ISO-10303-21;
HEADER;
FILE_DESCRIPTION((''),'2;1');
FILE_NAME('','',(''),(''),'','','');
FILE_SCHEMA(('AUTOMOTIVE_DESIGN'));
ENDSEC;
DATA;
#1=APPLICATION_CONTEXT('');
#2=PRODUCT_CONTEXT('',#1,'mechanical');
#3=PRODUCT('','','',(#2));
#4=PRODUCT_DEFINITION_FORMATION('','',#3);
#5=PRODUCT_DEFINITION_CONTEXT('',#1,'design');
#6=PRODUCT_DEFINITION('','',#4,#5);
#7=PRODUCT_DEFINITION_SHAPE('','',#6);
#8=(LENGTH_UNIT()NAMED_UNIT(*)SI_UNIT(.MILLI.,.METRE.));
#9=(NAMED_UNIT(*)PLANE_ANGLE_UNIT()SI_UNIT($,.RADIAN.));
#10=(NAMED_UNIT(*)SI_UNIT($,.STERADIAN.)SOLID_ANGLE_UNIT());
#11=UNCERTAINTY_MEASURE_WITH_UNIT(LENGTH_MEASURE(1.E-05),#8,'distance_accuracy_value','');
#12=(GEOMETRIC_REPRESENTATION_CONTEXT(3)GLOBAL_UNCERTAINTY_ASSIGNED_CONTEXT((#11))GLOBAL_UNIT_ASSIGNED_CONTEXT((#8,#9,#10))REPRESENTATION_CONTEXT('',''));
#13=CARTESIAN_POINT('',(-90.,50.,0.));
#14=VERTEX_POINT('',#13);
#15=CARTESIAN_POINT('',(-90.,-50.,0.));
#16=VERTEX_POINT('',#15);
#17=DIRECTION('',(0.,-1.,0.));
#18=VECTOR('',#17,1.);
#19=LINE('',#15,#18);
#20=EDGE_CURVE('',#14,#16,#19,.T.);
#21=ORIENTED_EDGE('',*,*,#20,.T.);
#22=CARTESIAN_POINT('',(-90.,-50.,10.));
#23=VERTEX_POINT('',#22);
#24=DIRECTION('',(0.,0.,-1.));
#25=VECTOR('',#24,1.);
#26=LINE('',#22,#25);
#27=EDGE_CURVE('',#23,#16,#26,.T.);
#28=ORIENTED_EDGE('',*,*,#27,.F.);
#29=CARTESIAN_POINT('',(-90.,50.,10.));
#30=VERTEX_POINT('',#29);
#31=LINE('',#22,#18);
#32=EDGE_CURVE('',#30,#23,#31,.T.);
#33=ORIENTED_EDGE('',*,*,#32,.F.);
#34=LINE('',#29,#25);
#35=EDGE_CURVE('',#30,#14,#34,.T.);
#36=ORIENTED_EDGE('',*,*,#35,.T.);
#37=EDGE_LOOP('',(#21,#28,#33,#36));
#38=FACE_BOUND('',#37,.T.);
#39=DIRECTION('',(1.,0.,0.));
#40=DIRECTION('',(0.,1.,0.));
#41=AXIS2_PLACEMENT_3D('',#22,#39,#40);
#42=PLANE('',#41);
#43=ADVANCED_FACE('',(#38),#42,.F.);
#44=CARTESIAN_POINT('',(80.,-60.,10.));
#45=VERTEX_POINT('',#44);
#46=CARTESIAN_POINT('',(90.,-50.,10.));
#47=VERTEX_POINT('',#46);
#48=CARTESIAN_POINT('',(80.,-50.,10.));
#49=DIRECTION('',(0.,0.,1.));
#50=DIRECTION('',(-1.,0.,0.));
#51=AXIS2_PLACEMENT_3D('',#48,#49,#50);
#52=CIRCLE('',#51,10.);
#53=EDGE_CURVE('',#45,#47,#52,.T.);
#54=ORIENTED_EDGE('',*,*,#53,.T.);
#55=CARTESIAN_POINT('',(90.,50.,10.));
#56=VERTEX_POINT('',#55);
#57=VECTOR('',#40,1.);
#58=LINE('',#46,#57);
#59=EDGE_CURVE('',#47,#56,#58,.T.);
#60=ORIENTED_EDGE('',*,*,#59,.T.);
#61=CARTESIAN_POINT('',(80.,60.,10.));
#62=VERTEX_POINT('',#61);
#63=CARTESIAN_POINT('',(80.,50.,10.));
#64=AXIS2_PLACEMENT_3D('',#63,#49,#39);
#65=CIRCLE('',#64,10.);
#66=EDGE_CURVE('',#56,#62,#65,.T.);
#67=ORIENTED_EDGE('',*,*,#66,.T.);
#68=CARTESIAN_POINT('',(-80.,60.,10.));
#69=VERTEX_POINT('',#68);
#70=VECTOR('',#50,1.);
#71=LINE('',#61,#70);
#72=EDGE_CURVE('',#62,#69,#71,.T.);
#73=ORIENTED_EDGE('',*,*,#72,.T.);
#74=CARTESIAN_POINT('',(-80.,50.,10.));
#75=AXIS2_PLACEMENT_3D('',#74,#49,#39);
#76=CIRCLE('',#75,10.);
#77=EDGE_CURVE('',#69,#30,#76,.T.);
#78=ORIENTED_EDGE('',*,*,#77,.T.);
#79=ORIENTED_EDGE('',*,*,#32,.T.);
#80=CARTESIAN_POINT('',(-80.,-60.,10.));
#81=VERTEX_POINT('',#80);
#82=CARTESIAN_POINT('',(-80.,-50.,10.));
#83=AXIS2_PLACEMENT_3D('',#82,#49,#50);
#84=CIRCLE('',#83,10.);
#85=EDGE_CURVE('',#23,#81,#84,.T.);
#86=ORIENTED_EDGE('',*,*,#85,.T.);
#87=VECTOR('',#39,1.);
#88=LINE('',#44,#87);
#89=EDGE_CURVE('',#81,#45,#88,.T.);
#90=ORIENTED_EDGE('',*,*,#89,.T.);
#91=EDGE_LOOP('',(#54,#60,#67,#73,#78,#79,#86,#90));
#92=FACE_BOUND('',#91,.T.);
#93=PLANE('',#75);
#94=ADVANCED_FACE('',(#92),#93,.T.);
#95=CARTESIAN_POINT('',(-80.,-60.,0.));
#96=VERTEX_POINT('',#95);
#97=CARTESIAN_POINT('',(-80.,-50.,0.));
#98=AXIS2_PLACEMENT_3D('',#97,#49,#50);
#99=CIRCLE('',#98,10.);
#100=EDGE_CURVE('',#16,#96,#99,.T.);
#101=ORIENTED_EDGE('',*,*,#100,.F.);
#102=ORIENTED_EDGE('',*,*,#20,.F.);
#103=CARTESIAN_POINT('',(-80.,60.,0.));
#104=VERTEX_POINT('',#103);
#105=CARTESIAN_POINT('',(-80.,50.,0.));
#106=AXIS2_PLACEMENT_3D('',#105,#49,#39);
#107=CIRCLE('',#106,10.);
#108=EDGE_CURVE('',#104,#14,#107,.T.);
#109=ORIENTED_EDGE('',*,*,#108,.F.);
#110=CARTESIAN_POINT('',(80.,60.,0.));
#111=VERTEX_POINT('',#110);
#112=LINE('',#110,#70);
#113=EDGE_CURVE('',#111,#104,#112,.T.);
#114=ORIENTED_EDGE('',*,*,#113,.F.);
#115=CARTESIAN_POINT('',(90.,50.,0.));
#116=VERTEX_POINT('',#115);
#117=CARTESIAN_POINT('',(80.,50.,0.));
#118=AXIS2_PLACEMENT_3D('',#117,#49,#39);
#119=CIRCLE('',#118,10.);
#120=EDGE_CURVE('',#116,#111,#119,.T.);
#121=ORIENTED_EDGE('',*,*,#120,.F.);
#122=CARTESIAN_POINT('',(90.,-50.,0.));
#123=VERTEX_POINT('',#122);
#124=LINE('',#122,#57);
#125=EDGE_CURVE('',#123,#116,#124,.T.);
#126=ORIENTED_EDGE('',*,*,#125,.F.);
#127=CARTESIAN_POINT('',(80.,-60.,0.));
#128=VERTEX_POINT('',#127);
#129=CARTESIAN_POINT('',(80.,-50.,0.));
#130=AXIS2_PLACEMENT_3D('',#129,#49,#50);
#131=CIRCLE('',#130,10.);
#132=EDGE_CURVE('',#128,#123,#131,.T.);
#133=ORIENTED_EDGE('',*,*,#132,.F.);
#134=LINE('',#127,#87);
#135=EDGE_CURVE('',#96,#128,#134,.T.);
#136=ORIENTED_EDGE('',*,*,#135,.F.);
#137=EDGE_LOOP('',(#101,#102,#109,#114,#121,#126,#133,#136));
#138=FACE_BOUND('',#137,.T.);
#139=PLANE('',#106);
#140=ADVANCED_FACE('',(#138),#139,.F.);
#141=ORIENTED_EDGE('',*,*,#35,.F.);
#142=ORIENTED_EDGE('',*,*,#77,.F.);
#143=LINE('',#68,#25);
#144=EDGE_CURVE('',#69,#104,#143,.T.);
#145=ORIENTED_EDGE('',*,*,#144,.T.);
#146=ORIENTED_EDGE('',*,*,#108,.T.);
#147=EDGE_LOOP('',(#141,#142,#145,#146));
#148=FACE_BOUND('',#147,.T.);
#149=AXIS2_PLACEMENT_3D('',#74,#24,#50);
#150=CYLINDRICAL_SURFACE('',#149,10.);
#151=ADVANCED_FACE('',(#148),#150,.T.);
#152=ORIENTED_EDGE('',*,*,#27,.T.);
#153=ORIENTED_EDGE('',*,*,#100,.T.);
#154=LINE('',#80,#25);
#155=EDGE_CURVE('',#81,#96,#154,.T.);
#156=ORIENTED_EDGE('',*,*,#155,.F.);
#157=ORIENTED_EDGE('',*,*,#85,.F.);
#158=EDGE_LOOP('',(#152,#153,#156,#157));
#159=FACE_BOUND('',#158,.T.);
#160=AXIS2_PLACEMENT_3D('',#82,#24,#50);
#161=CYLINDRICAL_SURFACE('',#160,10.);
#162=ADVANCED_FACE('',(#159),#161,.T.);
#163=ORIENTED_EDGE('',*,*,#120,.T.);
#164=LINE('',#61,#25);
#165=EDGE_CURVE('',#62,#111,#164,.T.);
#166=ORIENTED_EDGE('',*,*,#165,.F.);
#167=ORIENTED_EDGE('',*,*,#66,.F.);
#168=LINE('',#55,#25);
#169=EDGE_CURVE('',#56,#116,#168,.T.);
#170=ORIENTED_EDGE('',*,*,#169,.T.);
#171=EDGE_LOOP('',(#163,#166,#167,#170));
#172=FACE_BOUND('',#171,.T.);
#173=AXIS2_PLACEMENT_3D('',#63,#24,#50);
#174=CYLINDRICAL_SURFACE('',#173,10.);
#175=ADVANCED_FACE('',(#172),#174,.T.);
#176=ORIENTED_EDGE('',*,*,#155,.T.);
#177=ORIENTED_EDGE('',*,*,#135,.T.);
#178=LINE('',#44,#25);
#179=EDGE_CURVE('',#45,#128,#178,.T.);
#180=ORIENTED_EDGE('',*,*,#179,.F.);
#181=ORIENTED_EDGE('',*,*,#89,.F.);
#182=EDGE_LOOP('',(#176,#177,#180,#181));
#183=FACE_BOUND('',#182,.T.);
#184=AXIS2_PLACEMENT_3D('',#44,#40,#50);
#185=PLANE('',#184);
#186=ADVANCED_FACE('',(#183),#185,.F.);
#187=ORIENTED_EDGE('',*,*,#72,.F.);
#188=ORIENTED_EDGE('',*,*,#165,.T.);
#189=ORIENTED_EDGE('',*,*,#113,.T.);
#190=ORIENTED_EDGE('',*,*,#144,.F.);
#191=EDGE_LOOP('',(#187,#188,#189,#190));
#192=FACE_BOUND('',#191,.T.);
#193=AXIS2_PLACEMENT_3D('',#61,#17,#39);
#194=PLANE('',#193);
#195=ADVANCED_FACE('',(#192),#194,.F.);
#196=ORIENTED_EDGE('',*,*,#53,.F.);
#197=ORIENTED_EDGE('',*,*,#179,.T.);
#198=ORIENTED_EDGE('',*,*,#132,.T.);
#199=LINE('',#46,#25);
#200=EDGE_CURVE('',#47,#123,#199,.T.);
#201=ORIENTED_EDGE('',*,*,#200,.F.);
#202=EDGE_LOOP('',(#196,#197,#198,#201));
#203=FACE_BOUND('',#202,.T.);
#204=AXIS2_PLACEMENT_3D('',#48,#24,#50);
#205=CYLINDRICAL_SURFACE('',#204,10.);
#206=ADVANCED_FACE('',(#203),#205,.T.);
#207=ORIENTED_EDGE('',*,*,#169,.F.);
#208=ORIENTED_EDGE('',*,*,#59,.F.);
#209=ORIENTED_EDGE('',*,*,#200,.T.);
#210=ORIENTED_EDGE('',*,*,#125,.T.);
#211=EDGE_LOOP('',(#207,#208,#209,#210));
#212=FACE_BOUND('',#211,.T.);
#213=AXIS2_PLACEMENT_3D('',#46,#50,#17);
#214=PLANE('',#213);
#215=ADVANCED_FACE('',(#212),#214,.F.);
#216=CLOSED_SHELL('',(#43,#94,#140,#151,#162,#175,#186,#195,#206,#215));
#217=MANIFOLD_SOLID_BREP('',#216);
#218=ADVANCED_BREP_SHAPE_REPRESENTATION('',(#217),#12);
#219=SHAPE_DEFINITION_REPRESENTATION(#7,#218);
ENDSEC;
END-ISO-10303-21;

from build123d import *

# Parameters (mm, degrees)
ESTRUSIONE1_DEPTH = 10


with BuildPart() as part:
    # Schizzo1 → Estrusione1 (new body)
    with BuildSketch(Plane.XY):
        with BuildLine():
            Line((80, -60), (-80, -60))
            ThreePointArc((-80, -60), (-87.071067812, -57.071067812), (-90, -50))
            Line((-90, -50), (-90, 50))
            ThreePointArc((-90, 50), (-87.071067812, 57.071067812), (-80, 60))
            Line((-80, 60), (80, 60))
            ThreePointArc((80, 60), (87.071067812, 57.071067812), (90, 50))
            Line((90, 50), (90, -50))
            ThreePointArc((90, -50), (87.071067812, -57.071067812), (80, -60))
        make_face()
    extrude(amount=ESTRUSIONE1_DEPTH)


solid = part.part
